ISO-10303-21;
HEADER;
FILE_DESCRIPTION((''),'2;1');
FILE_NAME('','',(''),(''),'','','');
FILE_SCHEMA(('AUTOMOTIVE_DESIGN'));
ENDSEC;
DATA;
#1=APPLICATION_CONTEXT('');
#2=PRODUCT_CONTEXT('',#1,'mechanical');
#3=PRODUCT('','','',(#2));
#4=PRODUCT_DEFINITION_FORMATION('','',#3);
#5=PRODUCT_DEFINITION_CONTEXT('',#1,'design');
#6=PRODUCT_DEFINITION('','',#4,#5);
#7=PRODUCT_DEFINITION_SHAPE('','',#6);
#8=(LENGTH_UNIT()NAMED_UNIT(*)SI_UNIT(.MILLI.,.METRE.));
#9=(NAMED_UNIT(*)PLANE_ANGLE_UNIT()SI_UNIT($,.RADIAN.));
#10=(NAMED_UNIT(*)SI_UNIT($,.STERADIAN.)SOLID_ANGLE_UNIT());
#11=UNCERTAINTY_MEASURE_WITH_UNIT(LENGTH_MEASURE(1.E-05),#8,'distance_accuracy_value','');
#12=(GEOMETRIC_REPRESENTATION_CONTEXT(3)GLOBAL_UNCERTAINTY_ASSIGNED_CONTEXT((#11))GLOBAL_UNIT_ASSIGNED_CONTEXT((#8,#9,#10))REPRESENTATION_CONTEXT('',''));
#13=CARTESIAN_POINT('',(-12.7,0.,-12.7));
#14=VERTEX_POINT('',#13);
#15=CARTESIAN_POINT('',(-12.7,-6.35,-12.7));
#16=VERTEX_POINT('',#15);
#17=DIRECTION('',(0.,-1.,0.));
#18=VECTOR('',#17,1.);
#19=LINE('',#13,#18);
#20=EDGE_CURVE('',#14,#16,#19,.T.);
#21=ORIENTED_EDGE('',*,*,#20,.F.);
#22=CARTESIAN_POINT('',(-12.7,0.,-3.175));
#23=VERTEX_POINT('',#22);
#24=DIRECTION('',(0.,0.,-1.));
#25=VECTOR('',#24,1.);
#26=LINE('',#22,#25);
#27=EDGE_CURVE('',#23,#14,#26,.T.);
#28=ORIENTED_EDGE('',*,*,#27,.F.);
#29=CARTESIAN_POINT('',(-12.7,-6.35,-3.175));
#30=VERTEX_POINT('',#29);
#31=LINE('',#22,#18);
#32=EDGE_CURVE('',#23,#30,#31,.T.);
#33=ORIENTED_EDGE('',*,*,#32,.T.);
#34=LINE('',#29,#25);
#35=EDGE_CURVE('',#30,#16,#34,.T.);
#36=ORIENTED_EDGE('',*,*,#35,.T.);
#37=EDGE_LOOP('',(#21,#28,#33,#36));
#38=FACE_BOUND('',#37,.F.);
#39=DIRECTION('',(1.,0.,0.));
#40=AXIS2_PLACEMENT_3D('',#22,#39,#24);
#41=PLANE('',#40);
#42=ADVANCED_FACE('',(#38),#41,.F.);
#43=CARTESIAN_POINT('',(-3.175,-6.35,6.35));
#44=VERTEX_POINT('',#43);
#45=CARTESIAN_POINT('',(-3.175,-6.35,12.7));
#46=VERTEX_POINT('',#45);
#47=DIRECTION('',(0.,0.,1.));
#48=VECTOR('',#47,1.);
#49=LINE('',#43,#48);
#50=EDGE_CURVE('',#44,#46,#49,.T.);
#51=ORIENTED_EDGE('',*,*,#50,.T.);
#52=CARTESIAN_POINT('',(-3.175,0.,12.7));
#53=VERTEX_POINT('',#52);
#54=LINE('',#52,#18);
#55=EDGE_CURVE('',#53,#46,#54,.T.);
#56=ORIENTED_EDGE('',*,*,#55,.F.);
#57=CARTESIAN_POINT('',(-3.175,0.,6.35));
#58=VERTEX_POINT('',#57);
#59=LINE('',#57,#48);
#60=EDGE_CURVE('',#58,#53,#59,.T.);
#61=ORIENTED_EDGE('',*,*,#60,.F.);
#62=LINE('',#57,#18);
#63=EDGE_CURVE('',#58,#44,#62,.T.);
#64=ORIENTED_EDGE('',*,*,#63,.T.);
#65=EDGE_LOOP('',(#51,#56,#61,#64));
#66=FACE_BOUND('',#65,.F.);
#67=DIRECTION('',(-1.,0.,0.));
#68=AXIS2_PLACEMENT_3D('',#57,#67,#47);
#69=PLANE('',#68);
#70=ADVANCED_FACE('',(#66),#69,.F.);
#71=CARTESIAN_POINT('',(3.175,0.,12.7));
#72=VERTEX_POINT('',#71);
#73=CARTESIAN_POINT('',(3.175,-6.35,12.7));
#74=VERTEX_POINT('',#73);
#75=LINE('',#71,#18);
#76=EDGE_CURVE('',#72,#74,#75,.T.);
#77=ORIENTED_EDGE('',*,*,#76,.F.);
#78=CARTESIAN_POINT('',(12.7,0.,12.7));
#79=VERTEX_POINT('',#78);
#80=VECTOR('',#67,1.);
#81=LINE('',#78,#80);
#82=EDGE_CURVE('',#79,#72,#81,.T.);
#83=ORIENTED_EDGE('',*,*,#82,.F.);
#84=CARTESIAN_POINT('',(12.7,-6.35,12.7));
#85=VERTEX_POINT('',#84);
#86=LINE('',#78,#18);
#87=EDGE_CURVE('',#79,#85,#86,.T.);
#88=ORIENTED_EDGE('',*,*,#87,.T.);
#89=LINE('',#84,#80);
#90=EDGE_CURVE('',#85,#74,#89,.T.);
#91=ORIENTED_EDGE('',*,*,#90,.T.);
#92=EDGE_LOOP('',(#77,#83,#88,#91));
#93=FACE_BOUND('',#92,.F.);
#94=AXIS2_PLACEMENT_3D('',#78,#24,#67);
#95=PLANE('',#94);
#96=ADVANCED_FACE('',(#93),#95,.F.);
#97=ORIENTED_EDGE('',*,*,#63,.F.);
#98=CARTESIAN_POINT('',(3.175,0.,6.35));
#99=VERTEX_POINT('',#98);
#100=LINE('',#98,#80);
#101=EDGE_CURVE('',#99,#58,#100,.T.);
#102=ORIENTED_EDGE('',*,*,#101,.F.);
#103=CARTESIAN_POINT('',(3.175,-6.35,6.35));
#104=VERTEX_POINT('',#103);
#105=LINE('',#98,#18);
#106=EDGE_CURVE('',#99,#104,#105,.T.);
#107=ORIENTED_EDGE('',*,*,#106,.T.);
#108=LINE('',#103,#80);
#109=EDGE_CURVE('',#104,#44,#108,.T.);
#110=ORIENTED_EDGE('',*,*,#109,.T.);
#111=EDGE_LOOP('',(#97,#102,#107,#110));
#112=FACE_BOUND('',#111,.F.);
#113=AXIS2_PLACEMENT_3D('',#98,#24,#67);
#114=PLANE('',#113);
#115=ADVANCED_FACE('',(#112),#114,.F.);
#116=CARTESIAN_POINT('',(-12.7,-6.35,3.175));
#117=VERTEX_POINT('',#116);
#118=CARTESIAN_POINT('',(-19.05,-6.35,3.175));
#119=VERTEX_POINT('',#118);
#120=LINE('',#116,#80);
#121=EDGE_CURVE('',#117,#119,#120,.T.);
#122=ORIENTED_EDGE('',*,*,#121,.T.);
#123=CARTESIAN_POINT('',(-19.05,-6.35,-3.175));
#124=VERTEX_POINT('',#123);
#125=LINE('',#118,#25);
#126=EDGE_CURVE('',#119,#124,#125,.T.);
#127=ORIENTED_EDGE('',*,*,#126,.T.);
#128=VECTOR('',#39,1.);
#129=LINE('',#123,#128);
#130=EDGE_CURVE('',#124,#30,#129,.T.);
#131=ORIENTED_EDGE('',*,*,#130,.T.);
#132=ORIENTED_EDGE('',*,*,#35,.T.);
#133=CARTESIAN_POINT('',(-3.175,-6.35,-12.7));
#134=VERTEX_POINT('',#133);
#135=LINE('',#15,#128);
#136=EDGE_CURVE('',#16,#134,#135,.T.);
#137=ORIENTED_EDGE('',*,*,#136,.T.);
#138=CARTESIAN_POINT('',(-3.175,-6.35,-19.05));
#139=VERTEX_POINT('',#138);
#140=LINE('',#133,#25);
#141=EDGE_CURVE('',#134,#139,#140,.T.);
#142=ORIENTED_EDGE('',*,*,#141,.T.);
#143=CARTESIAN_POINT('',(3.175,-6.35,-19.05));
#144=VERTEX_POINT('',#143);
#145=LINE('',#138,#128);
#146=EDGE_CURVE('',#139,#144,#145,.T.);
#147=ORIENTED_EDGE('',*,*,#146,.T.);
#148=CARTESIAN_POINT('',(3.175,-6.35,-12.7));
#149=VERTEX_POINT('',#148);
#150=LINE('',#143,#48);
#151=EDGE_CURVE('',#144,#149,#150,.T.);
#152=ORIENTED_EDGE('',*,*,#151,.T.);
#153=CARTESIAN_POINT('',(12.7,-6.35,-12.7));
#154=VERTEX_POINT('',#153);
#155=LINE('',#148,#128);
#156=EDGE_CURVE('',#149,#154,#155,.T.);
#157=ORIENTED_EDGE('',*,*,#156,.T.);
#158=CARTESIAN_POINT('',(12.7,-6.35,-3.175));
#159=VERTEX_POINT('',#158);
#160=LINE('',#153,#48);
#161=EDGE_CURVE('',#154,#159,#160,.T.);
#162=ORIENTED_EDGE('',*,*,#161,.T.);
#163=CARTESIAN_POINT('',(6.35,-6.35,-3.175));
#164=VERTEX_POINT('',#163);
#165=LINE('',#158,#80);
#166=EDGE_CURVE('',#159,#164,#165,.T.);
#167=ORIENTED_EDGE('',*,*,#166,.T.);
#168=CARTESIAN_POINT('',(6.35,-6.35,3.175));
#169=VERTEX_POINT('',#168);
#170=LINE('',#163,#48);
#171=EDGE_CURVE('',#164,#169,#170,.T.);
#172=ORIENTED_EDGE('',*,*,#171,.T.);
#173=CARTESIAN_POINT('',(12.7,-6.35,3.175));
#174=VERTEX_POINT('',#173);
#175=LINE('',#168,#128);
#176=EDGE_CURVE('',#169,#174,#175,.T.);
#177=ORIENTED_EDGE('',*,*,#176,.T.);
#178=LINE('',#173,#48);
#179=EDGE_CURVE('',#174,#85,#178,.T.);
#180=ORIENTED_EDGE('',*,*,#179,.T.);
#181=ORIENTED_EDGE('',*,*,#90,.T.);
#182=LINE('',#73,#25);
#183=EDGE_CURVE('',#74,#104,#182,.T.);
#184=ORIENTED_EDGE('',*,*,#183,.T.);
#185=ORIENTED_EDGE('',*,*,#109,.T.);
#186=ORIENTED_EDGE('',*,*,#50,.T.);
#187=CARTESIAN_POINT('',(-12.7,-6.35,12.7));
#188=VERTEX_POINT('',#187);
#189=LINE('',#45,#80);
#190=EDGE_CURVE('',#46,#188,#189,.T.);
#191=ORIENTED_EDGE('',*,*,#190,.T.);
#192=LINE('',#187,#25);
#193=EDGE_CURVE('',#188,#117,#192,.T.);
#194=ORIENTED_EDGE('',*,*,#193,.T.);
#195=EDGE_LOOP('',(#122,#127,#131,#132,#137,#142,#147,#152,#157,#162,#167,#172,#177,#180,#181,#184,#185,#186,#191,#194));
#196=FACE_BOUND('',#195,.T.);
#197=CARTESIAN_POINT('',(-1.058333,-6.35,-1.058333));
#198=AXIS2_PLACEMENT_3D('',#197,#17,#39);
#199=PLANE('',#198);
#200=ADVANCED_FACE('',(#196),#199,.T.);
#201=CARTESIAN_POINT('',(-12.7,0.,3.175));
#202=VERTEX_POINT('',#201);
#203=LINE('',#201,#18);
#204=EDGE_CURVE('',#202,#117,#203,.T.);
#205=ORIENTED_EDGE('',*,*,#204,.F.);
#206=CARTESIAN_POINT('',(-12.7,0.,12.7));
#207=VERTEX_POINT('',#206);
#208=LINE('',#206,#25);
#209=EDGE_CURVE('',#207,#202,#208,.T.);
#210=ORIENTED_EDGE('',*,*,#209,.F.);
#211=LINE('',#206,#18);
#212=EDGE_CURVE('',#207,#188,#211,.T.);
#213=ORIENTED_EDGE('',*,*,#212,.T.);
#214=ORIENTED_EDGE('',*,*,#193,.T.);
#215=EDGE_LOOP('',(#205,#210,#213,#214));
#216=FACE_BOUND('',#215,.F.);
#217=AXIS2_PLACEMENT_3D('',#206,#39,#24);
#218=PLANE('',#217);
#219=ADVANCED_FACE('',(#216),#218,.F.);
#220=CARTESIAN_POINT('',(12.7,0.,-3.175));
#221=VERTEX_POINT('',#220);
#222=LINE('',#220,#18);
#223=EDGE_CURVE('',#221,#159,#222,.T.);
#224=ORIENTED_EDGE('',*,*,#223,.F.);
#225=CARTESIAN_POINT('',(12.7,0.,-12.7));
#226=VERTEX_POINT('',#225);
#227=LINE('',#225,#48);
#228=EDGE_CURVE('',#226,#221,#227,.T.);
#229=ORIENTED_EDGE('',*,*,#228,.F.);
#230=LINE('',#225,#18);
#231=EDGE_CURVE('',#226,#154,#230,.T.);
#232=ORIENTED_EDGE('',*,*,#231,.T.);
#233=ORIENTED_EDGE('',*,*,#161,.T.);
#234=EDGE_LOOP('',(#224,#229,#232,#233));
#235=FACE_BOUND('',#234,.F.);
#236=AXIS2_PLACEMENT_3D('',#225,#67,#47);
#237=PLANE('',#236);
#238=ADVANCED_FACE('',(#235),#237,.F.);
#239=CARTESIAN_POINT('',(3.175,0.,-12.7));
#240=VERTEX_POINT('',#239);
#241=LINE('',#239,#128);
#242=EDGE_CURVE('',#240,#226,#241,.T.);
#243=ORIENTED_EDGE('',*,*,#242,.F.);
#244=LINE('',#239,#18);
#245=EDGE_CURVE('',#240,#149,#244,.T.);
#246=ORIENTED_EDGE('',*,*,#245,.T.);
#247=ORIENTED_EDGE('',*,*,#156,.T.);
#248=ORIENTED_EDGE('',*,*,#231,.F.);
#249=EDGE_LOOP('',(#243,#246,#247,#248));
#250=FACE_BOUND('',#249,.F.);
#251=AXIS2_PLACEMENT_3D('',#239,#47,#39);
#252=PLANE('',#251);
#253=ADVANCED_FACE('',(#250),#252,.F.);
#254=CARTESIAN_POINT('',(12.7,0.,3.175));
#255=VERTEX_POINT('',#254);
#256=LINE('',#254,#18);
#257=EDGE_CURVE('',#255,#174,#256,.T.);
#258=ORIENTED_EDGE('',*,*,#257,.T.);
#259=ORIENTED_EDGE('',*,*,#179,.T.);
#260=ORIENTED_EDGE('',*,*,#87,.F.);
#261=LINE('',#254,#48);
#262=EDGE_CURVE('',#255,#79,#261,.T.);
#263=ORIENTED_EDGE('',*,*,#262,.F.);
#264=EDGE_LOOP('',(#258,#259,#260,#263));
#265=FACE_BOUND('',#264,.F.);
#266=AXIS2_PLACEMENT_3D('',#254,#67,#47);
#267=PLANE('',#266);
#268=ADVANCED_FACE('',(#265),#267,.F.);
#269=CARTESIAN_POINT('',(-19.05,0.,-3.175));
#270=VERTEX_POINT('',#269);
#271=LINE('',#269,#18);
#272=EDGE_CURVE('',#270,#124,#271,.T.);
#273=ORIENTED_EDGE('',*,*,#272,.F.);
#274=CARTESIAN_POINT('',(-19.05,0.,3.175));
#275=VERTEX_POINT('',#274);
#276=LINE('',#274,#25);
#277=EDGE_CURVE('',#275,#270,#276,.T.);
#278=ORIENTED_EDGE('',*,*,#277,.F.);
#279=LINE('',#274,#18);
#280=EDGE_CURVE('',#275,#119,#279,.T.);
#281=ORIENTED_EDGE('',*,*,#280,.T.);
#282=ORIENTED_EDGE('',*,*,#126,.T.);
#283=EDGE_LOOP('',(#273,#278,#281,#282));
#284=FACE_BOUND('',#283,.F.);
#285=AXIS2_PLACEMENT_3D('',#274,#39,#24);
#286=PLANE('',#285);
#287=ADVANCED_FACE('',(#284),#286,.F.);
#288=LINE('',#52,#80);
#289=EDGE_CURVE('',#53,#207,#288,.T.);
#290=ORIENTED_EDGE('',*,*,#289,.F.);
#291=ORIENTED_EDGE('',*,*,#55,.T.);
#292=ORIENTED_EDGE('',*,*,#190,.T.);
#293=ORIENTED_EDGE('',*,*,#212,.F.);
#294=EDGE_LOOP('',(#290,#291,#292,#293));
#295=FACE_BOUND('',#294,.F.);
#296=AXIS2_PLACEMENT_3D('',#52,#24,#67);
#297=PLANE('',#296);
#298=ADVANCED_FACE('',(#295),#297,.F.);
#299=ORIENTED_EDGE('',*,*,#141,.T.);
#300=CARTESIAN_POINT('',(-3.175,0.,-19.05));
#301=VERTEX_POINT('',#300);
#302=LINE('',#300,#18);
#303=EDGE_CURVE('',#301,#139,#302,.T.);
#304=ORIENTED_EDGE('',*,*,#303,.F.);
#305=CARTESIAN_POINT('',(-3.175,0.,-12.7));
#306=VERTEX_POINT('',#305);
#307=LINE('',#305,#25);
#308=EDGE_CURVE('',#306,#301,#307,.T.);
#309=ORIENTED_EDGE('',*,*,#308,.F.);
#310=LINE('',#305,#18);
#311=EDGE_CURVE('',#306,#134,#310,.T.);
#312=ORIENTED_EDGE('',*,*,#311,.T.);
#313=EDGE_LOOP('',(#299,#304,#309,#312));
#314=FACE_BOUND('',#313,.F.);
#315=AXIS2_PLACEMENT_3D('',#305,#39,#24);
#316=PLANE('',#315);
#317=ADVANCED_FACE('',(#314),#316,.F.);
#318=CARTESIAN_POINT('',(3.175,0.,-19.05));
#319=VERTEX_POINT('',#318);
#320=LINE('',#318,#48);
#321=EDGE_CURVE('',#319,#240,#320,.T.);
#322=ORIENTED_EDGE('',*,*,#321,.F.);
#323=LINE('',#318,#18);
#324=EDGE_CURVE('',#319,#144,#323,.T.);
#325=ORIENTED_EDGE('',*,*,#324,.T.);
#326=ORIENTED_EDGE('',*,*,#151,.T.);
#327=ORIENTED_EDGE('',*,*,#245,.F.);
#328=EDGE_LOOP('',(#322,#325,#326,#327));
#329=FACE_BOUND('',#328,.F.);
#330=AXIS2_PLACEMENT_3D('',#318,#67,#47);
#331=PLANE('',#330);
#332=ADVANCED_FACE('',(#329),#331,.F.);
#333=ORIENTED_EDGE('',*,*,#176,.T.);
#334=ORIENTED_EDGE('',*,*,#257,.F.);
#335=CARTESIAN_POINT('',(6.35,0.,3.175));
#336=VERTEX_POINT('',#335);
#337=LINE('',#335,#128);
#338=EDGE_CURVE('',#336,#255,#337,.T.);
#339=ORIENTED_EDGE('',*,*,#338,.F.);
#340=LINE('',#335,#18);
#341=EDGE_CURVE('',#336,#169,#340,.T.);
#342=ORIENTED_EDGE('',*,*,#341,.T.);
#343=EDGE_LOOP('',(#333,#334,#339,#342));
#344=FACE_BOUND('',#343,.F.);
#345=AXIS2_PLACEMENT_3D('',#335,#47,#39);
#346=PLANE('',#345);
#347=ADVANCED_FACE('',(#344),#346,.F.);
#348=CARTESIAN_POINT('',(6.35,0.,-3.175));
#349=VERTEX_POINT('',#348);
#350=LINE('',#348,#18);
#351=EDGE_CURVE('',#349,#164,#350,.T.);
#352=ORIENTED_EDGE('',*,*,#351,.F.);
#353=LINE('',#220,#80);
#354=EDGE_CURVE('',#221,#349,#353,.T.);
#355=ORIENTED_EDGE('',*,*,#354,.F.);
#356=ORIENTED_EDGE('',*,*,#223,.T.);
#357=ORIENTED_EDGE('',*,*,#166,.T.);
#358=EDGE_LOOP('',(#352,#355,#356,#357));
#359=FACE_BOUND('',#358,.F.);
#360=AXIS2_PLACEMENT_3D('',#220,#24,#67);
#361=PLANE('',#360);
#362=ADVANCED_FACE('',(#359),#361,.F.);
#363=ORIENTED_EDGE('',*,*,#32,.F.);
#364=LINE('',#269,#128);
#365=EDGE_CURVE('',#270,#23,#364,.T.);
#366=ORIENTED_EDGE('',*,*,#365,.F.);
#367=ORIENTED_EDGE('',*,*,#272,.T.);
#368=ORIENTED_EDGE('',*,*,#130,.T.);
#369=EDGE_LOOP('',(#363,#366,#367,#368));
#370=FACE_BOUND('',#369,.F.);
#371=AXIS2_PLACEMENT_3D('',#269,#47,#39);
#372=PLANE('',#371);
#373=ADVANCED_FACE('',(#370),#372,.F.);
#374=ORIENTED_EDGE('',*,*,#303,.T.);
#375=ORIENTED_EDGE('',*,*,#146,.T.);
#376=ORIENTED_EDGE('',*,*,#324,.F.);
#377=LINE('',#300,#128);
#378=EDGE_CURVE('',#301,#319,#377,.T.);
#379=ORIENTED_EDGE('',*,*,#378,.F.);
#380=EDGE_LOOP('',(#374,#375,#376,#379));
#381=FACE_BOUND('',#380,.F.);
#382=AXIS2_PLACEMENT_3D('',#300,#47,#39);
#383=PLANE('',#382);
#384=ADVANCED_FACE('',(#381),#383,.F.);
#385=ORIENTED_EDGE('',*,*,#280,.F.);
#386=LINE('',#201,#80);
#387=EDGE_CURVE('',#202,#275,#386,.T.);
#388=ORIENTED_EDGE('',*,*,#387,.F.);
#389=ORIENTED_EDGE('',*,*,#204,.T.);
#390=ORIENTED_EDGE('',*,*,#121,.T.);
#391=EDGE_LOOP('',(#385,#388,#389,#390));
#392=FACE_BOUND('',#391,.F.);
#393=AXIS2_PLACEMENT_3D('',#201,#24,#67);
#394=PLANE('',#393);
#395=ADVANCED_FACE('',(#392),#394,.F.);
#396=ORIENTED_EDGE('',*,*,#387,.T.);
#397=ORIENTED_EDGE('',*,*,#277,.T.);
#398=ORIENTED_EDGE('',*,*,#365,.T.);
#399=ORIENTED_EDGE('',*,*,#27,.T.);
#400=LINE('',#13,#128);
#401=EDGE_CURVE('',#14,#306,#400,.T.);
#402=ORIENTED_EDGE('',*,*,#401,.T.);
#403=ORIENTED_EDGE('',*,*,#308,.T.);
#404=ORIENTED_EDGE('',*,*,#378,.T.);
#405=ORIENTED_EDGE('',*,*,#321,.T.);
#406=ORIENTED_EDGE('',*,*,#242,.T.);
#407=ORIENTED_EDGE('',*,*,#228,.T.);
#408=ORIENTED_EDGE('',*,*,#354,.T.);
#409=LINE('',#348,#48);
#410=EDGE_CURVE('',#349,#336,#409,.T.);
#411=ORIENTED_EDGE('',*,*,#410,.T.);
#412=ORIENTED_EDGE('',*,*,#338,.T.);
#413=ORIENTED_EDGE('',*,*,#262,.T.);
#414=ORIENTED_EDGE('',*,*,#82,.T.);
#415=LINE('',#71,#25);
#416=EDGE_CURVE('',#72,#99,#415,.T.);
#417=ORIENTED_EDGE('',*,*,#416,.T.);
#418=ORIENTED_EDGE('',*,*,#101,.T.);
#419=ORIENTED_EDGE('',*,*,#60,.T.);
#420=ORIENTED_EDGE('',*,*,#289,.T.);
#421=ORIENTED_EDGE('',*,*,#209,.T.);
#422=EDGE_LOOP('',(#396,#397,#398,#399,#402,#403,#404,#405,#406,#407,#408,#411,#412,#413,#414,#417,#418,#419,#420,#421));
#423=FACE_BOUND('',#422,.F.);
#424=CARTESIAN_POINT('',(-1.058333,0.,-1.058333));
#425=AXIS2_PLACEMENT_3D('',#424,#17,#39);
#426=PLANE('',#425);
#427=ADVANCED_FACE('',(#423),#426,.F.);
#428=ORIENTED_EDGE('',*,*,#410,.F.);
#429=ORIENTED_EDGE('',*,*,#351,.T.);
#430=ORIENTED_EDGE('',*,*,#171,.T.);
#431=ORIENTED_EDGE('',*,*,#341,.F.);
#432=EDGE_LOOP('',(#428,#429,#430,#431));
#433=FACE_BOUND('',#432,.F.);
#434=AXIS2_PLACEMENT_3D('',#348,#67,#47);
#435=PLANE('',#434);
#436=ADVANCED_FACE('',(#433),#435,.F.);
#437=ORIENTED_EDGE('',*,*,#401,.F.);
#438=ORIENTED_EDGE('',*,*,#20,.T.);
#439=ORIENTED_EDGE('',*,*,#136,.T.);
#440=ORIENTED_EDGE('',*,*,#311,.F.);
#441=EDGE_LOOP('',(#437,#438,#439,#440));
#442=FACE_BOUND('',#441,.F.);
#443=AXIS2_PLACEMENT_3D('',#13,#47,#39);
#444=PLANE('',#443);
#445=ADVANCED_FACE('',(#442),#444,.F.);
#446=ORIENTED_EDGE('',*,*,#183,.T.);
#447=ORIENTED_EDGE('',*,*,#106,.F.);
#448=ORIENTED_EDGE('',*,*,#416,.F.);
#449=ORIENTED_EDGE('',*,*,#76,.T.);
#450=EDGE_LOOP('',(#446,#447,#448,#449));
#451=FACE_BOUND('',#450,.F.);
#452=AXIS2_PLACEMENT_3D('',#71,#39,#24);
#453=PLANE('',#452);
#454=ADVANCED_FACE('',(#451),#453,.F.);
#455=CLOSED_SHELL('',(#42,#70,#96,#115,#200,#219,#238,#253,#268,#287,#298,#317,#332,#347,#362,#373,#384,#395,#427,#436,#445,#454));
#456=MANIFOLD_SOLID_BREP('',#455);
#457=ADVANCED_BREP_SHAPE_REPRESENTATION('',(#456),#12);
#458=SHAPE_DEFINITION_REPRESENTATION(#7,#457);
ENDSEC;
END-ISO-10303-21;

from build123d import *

# Parameters (mm, degrees)
F1_DEPTH = 6.35


with BuildPart() as f1:
    # F0 (on Front) → F1 (new body)
    with BuildSketch(Plane.XZ):
        Polygon((-3.175, 6.35), (-3.175, 12.7), (-12.7, 12.7), (-12.7, 3.175), (-19.05, 3.175), (-19.05, -3.175), (-12.7, -3.175), (-12.7, -12.7), (-3.175, -12.7), (-3.175, -19.05), (3.175, -19.05), (3.175, -12.7), (12.7, -12.7), (12.7, -3.175), (6.35, -3.175), (6.35, 3.175), (12.7, 3.175), (12.7, 12.7), (3.175, 12.7), (3.175, 6.35), (0, 6.35), align=None)
    extrude(amount=F1_DEPTH)


solid = f1.part
